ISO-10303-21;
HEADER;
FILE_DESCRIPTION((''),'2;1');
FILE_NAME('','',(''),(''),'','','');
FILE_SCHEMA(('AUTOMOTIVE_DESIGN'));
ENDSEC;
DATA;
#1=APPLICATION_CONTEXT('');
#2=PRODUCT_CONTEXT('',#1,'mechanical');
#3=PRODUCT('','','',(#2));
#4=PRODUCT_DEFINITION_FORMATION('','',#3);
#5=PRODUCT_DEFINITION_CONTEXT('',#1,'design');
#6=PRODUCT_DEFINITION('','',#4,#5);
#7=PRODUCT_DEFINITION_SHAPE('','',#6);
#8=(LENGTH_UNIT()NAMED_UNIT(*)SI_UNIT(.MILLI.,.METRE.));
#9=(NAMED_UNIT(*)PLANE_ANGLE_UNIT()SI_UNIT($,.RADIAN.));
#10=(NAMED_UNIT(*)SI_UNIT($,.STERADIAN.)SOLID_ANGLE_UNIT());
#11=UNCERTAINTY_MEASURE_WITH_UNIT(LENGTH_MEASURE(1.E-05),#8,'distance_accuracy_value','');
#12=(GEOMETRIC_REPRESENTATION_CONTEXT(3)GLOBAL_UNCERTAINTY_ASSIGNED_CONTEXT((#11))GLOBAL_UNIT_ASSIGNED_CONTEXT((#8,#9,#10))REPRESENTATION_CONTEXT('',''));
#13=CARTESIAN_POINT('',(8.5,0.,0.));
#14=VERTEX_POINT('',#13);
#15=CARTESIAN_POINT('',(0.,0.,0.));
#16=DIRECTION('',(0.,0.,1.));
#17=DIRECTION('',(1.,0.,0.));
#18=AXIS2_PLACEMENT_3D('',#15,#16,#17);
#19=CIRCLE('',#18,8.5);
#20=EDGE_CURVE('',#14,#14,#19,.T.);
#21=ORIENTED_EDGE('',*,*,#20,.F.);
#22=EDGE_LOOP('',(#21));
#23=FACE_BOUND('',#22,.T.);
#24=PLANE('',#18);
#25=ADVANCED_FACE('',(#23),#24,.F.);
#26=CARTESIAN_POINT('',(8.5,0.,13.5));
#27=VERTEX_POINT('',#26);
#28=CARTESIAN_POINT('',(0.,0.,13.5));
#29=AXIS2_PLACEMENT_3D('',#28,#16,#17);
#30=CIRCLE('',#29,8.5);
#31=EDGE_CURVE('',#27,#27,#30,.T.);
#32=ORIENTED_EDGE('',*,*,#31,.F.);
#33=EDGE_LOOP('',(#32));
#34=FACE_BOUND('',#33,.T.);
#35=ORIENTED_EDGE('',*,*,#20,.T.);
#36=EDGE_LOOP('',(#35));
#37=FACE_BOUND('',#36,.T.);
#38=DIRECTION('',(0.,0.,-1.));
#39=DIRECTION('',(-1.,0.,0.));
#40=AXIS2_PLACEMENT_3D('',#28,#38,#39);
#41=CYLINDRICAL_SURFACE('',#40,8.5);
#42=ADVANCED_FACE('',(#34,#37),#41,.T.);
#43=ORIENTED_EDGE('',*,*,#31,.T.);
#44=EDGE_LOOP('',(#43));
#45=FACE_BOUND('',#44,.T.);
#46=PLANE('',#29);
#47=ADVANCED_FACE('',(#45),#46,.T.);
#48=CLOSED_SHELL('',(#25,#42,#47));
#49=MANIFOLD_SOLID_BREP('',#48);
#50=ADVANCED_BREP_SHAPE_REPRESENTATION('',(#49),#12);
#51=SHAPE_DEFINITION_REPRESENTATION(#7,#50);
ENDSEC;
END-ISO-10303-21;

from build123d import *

# Parameters (mm, degrees)
SKETCH1_R           = 8.5
BOSS_EXTRUDE1_DEPTH = 13.5


with BuildPart() as part:
    # Sketch1 → Boss-Extrude1 (new body)
    with BuildSketch(Plane.XY):
        Circle(SKETCH1_R)
    extrude(amount=BOSS_EXTRUDE1_DEPTH)


solid = part.part
